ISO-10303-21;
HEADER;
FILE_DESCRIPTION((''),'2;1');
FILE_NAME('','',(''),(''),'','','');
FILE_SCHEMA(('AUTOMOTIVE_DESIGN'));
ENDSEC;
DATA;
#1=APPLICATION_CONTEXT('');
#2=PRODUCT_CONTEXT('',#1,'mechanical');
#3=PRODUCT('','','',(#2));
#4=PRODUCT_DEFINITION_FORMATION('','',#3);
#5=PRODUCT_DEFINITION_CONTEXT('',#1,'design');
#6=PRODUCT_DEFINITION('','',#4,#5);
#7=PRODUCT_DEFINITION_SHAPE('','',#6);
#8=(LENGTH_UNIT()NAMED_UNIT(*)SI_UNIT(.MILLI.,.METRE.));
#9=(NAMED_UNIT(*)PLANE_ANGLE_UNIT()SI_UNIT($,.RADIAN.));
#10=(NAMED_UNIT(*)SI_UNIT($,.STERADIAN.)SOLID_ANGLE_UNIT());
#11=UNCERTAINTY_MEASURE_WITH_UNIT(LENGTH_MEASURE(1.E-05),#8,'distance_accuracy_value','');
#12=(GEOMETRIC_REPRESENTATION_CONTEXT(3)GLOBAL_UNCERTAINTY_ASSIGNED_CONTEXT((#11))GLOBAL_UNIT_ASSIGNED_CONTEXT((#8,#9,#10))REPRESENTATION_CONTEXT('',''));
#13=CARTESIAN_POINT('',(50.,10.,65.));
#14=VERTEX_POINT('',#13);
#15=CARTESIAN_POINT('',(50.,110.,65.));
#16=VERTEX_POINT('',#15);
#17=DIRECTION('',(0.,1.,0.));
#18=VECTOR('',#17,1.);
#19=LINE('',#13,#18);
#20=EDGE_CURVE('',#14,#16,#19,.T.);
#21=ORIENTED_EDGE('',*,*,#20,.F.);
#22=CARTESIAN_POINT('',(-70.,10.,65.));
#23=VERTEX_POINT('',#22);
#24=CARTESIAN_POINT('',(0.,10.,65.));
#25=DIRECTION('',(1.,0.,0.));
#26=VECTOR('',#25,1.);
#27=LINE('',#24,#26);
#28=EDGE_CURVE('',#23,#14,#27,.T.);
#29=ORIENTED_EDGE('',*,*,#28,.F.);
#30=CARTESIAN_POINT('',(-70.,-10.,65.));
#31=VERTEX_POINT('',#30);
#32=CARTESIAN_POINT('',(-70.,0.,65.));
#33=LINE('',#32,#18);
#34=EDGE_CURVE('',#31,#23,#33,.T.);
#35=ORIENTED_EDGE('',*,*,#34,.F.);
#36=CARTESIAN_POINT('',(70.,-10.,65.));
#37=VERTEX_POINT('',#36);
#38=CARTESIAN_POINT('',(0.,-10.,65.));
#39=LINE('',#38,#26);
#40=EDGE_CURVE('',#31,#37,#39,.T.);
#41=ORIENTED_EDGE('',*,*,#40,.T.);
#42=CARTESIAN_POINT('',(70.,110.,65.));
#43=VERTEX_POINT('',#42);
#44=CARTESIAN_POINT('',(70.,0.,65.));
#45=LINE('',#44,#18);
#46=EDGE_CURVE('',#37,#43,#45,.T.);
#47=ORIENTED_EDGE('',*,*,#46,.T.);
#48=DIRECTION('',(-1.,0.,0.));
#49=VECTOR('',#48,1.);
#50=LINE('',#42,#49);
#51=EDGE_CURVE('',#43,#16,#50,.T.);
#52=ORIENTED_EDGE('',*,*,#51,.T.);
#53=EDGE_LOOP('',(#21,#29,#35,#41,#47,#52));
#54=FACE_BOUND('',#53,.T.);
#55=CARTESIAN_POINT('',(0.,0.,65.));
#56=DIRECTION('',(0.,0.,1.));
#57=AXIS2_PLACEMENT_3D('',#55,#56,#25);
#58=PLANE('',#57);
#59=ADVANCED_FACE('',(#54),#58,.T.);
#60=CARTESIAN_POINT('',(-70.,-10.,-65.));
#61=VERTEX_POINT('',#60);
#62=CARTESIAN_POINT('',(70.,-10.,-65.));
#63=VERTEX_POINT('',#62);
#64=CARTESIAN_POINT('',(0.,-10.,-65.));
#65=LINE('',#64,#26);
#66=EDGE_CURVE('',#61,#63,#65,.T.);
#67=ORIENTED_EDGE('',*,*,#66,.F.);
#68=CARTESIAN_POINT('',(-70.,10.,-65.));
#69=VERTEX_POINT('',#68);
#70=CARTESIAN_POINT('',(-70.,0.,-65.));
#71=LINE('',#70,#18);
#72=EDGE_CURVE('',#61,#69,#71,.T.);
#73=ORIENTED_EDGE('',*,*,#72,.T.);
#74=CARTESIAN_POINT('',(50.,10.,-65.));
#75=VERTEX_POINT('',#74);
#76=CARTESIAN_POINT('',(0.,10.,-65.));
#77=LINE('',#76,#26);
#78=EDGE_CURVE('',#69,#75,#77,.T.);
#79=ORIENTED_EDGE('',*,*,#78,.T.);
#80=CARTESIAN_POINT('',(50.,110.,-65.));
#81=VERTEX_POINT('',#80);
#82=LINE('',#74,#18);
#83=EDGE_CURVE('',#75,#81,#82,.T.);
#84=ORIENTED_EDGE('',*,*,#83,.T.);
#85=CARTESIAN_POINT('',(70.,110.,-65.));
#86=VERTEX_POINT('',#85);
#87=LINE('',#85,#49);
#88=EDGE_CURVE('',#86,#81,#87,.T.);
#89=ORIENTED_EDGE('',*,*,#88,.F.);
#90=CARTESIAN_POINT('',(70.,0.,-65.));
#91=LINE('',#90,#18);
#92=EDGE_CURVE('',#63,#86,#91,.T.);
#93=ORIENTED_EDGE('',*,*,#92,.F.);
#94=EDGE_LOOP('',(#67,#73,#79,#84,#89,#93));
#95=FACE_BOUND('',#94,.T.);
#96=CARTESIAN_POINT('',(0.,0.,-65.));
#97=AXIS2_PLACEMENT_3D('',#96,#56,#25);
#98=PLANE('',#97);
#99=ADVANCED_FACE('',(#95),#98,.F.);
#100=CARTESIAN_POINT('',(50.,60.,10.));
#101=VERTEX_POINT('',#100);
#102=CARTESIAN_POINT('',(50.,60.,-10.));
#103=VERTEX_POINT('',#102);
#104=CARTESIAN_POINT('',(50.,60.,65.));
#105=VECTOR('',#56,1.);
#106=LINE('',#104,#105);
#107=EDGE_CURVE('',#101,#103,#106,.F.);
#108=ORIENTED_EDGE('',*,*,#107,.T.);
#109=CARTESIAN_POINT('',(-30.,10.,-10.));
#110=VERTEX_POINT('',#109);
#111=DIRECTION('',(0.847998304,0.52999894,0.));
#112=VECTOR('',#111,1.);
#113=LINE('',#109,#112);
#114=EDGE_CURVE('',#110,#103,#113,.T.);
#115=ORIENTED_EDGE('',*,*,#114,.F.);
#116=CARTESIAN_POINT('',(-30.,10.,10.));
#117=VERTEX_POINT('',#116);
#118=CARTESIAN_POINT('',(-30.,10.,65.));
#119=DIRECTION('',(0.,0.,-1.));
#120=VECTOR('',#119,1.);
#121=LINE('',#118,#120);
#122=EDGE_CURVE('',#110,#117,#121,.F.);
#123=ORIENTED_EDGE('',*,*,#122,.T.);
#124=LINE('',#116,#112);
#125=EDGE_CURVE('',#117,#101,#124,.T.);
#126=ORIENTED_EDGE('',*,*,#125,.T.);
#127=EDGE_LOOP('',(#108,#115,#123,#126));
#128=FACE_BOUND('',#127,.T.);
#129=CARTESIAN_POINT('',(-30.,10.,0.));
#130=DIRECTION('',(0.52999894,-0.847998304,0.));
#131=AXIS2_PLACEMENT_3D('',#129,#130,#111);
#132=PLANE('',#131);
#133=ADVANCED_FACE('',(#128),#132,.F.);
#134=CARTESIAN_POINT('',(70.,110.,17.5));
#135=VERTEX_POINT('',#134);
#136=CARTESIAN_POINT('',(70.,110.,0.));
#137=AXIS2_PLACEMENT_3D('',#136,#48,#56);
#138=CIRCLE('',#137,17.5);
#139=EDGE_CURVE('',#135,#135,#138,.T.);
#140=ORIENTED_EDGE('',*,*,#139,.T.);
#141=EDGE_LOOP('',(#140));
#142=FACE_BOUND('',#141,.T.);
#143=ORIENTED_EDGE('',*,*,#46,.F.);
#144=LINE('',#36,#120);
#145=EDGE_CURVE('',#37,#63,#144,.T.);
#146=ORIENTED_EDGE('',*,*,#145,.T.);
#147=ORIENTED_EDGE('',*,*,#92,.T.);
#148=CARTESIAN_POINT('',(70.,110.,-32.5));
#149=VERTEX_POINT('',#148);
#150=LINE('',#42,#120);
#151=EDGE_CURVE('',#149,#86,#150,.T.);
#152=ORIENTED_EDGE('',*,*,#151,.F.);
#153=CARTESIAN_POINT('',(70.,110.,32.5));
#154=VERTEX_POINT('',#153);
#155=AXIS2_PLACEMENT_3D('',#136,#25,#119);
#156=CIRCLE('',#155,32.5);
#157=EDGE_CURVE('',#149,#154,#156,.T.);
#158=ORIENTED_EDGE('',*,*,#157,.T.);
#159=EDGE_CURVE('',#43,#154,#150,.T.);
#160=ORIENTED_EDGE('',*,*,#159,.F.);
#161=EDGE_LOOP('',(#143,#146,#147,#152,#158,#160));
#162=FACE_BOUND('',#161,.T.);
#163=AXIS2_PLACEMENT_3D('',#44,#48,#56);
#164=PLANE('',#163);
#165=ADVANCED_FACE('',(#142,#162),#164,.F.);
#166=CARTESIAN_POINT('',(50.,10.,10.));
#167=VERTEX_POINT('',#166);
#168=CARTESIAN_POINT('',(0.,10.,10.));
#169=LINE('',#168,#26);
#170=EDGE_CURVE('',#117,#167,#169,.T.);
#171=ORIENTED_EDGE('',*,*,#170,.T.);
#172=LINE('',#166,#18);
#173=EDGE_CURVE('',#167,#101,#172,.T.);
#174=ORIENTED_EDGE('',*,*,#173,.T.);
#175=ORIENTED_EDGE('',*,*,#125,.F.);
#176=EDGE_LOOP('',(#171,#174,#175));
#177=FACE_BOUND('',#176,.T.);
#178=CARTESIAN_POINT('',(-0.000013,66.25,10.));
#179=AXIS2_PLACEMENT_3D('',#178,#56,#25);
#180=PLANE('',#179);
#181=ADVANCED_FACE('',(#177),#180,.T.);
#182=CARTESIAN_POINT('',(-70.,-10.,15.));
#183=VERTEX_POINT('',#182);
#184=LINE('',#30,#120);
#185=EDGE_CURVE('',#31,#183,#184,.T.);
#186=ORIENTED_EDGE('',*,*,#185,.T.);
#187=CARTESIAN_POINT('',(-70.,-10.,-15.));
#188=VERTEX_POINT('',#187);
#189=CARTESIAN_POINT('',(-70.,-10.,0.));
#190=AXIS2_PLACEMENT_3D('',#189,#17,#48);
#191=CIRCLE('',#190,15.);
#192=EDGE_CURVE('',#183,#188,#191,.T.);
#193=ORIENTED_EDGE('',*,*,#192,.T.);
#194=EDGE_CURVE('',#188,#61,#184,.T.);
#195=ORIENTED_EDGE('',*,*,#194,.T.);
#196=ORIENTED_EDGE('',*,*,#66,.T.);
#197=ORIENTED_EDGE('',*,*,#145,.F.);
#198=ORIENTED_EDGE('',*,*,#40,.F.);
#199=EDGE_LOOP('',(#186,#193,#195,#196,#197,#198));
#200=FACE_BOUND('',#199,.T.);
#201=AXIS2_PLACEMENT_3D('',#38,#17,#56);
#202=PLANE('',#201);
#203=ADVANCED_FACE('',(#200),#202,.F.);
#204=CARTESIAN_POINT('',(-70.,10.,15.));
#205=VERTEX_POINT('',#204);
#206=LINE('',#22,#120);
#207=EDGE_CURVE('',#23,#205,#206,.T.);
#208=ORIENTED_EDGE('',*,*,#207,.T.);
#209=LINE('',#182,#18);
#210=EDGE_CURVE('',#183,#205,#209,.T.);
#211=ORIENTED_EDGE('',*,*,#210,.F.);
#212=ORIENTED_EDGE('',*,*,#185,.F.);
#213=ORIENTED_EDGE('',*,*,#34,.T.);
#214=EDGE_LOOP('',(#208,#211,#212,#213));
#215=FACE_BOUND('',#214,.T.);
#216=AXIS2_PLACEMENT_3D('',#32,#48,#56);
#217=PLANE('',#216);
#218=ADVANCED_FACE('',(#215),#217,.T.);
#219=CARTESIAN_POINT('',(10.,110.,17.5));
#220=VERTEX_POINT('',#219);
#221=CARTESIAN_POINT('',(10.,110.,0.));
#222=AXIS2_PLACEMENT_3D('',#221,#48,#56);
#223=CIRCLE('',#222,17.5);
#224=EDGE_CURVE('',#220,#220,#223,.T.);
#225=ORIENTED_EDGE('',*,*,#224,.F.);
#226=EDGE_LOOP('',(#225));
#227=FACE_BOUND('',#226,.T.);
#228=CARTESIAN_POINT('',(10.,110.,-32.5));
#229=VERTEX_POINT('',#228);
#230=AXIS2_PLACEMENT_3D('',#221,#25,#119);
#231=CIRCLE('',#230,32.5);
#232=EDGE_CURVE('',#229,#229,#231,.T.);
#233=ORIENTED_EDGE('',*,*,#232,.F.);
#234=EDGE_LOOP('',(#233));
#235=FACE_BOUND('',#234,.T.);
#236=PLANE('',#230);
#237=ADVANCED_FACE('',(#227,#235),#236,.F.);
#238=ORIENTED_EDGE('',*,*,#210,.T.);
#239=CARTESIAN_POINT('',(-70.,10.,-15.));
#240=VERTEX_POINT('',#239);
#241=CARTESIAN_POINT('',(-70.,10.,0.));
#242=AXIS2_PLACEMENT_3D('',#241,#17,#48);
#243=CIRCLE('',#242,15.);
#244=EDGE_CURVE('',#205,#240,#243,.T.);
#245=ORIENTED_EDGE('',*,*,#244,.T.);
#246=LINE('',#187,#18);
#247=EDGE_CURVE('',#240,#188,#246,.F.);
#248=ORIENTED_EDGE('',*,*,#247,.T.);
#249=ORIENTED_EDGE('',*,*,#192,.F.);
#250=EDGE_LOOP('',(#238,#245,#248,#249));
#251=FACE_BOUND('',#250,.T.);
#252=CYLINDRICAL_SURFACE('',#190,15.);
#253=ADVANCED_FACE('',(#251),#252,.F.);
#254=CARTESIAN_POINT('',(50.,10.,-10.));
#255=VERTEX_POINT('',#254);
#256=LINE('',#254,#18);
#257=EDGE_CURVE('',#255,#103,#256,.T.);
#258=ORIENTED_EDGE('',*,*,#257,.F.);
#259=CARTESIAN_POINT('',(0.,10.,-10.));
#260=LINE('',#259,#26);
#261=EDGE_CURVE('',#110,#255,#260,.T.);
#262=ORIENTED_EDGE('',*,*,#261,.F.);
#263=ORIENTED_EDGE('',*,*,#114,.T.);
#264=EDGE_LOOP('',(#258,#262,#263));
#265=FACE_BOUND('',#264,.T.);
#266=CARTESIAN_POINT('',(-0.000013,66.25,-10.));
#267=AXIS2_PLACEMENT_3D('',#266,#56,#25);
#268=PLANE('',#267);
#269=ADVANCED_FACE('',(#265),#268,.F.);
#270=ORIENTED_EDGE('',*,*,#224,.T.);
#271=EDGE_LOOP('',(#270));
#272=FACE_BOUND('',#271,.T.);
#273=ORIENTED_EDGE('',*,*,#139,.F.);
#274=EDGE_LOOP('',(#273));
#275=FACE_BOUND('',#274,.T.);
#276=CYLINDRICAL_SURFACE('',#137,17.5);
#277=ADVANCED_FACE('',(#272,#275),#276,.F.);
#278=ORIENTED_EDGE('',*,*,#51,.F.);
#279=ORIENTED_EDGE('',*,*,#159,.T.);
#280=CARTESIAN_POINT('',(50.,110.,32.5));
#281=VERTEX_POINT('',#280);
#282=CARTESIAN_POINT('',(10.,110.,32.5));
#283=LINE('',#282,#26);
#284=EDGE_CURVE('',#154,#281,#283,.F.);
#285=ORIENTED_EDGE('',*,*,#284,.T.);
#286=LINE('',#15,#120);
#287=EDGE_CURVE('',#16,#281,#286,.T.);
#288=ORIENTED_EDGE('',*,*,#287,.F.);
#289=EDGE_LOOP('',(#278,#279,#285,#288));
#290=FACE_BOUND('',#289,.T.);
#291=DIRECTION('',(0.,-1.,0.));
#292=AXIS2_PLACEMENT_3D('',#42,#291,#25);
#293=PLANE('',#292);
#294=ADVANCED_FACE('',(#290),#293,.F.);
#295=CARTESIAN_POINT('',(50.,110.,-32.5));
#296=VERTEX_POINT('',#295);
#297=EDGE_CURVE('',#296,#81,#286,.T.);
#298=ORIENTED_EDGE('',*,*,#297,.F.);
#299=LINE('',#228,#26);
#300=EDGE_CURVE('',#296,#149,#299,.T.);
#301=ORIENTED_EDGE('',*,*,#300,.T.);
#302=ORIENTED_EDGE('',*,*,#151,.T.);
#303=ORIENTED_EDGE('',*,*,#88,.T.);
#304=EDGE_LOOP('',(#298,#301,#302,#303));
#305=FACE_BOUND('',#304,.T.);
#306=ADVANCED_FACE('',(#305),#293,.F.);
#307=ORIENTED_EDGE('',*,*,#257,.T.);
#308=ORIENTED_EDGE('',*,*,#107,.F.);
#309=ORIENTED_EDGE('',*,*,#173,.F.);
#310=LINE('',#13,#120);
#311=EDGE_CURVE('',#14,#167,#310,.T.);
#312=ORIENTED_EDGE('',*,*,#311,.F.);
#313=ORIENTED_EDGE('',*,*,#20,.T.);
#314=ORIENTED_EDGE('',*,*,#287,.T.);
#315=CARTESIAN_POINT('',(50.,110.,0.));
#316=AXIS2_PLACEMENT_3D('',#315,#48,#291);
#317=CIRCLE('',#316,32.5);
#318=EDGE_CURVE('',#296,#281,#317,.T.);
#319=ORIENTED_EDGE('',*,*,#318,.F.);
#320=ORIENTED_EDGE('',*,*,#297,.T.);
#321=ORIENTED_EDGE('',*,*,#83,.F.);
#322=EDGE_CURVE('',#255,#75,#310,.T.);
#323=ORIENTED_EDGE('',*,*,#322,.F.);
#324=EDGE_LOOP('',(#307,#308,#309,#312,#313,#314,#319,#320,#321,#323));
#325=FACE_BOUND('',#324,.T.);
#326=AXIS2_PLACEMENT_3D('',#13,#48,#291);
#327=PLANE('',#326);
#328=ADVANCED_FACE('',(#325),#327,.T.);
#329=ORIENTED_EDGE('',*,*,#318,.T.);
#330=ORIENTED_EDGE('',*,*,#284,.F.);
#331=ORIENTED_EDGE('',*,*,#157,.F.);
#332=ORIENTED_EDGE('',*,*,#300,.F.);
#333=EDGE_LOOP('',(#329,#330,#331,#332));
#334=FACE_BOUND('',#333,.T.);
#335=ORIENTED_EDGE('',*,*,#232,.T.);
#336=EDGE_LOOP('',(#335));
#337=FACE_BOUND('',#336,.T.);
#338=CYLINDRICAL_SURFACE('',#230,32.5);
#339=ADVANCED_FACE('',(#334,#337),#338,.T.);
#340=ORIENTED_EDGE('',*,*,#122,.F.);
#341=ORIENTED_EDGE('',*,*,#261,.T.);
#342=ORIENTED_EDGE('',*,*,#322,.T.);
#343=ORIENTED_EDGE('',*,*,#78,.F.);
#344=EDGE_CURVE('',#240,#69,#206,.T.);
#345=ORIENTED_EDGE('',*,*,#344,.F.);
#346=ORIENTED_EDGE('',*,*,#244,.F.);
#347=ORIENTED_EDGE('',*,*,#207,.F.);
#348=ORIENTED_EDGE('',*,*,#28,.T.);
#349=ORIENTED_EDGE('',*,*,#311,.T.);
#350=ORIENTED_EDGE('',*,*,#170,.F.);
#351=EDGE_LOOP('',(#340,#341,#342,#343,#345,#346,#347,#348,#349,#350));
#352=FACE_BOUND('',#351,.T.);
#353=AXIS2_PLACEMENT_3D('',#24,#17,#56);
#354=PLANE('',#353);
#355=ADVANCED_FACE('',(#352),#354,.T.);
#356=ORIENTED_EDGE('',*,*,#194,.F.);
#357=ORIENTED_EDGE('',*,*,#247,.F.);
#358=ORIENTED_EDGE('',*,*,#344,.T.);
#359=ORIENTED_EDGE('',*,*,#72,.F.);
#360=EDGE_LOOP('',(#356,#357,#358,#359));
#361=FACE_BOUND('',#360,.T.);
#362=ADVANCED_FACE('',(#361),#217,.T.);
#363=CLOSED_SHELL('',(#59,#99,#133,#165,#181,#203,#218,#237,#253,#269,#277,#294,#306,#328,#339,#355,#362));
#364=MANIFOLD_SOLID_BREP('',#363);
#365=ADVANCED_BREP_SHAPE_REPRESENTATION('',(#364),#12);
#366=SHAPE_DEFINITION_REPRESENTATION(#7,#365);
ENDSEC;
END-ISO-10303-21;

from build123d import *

# Parameters (mm, degrees)
SKETCH_1_W          = 140
SKETCH_1_H          = 20
SKETCH_1_W_2        = 20
SKETCH_1_H_2        = 100
EXTRUDE_1_DEPTH     = 65
SKETCH_5_R          = 32.5
EXTRUDE_3_DEPTH     = 60
SKETCH_6_R          = 17.5
CUT_EXTRUDE_1_DEPTH = 176.87282337
SKETCH_7_R          = 15
CUT_EXTRUDE_2_DEPTH = 164.343962239
RIB_1_REACH         = 173.555
SKETCH_8_WALL_W     = 439.450580606
SKETCH_8_WALL_H     = 20


with BuildPart() as part:
    # Эскиз1 → Бобышка-Вытянуть1 (new, symmetric)
    with BuildSketch(Plane.XY):
        Rectangle(SKETCH_1_W, SKETCH_1_H)
        with Locations((60, 60)):
            Rectangle(SKETCH_1_W_2, SKETCH_1_H_2)
    extrude(amount=EXTRUDE_1_DEPTH, both=True)

    # Эскиз5 → Бобышка-Вытянуть3 (add)
    with BuildSketch(Plane(origin=(70, 0, 0), x_dir=(0, 0, -1), z_dir=(1, 0, 0))):
        with Locations((0, 110)):
            Circle(SKETCH_5_R)
    extrude(amount=-EXTRUDE_3_DEPTH)

    # Эскиз6 → Вырез-Вытянуть1 (cut, through all)
    with BuildSketch(Plane.ZY.offset(-10)):
        with Locations((0, 110)):
            Circle(SKETCH_6_R)
    extrude(amount=-CUT_EXTRUDE_1_DEPTH, mode=Mode.SUBTRACT)

    # Эскиз7 → Вырез-Вытянуть2 (cut, through all)
    with BuildSketch(Plane(origin=(0, 10, 0), x_dir=(1, 0, 0), z_dir=(0, 1, 0))):
        with Locations((-70, 0)):
            Circle(SKETCH_7_R)
    extrude(amount=-CUT_EXTRUDE_2_DEPTH, mode=Mode.SUBTRACT)

    # Эскиз8 wall → Ребро1 (add, up to next)
    with BuildSketch(Plane(origin=(10, 35, 0), x_dir=(0.847998304005, 0.529998940003, 0), z_dir=(-0.529998940003, 0.847998304005, 0)), mode=Mode.PRIVATE) as rib_1_sk1:
        Rectangle(SKETCH_8_WALL_W, SKETCH_8_WALL_H)
    rib_1_tool1 = extrude(rib_1_sk1.sketch, amount=-RIB_1_REACH, mode=Mode.PRIVATE) - part.part
    add(rib_1_tool1.solids().sort_by_distance((10, 35, 0))[0])


solid = part.part
